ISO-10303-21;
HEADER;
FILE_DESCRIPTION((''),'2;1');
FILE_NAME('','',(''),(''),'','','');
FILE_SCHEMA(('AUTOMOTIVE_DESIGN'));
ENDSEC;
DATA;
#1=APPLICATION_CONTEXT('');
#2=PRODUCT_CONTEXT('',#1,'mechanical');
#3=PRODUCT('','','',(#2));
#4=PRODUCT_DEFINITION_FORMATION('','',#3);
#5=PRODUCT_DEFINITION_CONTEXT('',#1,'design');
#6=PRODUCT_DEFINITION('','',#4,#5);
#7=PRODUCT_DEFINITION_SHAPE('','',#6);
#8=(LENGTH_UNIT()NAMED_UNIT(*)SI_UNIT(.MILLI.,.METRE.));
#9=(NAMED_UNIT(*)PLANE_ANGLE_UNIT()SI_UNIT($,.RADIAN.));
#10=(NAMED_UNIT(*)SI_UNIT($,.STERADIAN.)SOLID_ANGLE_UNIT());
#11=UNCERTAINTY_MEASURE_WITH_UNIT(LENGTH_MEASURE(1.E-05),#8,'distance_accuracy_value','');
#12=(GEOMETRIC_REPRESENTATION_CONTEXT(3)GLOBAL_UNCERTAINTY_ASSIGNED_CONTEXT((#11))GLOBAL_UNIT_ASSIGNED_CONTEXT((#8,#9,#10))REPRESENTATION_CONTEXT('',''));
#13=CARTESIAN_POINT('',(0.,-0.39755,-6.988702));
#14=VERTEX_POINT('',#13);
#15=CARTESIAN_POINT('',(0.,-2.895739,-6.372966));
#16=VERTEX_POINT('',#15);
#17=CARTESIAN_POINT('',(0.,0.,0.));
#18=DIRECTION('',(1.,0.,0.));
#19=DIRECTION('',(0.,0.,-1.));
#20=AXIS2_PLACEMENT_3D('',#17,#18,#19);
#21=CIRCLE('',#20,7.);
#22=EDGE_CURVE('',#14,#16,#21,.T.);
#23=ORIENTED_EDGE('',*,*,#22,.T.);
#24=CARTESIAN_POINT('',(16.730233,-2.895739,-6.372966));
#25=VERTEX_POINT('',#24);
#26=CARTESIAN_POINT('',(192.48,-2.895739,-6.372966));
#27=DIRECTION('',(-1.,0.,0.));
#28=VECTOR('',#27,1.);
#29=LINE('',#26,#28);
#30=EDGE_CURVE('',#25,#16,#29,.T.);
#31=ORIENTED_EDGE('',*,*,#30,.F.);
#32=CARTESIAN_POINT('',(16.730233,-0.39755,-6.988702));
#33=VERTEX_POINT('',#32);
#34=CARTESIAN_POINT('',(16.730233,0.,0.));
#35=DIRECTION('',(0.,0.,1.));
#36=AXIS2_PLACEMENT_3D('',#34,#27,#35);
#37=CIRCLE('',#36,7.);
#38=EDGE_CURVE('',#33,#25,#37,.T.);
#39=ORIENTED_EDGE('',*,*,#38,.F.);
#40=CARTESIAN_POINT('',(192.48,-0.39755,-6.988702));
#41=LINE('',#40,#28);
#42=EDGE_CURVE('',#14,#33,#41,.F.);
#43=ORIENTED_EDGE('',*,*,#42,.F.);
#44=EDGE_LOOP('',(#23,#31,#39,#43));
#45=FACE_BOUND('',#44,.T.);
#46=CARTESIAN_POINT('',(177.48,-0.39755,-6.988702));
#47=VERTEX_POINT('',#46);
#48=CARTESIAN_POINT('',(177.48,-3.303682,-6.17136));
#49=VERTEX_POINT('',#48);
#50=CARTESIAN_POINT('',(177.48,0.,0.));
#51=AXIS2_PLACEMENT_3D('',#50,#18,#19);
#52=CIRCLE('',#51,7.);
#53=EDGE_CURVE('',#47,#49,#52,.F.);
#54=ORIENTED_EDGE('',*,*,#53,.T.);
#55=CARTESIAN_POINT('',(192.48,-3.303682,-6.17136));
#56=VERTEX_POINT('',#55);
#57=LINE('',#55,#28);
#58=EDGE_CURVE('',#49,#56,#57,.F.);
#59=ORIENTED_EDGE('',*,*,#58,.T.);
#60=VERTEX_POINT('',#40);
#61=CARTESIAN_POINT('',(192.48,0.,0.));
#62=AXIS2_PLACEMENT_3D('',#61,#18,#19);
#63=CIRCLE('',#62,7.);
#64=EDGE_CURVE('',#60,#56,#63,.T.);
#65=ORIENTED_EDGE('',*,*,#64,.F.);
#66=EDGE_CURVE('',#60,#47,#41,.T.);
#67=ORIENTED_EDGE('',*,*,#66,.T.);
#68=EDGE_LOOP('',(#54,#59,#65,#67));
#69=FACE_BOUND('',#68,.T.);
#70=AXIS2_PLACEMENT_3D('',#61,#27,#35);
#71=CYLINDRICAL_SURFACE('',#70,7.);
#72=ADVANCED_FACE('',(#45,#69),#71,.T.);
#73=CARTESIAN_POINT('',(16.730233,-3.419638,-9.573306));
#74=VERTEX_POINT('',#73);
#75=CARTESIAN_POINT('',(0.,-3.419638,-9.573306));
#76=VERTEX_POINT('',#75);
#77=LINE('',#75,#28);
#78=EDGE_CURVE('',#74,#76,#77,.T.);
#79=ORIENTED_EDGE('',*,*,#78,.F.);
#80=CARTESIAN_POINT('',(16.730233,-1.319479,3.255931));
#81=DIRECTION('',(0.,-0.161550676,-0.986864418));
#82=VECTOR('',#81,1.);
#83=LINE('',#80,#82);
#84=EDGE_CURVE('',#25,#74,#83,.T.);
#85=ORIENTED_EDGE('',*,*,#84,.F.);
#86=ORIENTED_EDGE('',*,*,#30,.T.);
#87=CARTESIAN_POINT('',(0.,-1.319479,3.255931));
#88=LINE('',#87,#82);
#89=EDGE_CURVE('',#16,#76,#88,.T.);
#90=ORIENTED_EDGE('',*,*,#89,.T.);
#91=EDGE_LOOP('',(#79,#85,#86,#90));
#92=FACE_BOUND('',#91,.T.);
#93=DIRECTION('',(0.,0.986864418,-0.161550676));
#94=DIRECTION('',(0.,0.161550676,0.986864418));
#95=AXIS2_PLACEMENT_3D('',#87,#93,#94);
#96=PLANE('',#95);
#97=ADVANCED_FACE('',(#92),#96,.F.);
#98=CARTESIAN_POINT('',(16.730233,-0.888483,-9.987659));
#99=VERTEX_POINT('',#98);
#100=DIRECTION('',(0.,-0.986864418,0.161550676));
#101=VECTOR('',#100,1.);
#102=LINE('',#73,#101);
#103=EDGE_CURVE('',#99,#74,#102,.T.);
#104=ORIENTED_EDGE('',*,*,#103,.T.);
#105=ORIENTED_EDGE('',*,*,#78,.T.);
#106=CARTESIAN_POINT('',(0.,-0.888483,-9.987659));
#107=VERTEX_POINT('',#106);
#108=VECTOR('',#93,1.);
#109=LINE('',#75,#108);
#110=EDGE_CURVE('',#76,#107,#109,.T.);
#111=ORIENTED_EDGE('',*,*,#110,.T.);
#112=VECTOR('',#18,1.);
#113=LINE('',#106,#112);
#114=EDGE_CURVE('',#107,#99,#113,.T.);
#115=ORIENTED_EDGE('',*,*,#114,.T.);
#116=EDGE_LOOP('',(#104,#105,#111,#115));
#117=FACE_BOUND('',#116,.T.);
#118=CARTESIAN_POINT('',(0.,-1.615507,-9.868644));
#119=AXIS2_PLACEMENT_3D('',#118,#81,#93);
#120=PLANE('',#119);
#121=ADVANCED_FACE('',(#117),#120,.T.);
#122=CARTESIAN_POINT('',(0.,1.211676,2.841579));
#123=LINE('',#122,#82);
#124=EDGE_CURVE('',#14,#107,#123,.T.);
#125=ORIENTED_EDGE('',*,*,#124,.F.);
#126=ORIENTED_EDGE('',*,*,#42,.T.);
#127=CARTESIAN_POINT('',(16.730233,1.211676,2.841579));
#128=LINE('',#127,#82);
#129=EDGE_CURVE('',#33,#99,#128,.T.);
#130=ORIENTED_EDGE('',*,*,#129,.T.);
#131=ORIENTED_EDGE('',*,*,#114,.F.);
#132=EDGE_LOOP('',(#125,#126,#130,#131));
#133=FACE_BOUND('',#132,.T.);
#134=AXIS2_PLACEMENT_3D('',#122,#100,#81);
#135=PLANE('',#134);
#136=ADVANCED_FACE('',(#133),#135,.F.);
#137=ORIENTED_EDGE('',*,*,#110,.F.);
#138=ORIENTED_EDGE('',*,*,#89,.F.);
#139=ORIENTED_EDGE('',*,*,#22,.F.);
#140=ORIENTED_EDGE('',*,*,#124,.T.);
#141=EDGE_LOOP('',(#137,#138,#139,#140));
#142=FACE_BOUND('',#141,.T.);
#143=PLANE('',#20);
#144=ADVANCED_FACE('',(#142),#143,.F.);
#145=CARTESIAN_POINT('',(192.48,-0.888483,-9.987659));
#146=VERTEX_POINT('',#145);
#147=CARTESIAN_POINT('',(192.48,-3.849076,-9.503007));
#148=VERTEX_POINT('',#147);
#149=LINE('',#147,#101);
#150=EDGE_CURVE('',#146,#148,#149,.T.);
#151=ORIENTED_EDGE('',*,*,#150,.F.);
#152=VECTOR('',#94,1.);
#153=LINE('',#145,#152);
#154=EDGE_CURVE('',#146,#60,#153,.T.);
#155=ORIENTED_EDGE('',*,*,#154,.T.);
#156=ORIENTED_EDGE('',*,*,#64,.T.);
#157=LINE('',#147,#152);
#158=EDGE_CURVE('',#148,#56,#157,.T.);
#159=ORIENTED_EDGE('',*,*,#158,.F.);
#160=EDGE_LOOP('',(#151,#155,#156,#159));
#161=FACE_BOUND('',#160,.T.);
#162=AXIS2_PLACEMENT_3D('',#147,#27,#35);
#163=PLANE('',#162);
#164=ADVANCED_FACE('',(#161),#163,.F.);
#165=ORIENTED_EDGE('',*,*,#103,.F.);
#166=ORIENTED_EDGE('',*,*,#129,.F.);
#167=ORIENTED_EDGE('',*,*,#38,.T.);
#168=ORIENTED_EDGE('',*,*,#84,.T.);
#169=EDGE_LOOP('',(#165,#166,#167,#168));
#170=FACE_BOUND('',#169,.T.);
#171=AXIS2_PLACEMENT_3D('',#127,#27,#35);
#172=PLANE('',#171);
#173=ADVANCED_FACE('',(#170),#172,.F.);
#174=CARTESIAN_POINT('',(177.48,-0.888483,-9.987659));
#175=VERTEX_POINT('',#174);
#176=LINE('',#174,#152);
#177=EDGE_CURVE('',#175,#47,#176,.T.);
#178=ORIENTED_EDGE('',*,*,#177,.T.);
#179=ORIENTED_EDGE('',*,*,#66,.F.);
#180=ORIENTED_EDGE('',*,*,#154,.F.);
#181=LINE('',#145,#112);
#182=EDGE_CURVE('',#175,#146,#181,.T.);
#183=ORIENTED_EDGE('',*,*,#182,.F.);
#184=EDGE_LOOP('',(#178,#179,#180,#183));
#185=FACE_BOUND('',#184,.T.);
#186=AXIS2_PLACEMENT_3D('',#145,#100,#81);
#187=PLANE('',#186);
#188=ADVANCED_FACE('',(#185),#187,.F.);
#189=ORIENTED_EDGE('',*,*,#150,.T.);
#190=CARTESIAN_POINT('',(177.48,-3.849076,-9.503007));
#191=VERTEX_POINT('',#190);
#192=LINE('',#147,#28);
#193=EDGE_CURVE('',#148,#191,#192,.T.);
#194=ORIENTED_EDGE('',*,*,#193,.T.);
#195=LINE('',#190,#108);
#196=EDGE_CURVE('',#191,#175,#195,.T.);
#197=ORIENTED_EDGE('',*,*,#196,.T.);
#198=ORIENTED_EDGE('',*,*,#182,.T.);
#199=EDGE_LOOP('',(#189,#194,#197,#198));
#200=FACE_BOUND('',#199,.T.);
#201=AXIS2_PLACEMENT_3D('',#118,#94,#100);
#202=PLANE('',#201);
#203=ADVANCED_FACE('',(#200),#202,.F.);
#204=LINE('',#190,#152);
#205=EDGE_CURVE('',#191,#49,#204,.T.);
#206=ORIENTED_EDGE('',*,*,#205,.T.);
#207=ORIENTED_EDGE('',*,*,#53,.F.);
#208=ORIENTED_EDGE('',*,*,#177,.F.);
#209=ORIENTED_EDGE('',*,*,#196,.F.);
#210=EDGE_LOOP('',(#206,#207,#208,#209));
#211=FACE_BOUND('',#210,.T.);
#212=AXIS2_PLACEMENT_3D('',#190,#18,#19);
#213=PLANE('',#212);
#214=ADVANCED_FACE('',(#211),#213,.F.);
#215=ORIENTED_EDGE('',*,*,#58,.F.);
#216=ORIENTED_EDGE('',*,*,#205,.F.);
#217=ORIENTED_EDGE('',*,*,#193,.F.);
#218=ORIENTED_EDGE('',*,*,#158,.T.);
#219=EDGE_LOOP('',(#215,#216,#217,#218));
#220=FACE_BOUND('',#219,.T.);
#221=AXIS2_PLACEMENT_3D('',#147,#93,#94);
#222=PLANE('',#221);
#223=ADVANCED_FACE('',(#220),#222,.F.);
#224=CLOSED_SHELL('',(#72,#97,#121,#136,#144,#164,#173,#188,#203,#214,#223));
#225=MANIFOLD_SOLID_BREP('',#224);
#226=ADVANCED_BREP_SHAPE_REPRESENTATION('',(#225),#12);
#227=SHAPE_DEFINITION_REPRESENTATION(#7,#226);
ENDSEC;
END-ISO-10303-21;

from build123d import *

# Parameters (mm, degrees)
SKETCH1_R             = 7
BOSS_EXTRUDE1_DEPTH   = 192.48
SKETCH2_W             = 15
SKETCH2_H             = 3
BOSS_EXTRUDE2_DEPTH   = 3
SKETCH2_W_2           = 16.730233444
SKETCH2_H_2           = 2.564845708
BOSS_EXTRUDE2_2_DEPTH = 3
SKETCH3_W             = 16.730233444
SKETCH3_H             = 2.564845708
BOSS_EXTRUDE3_DEPTH   = 10
SKETCH4_W             = 15
SKETCH4_H             = 3
BOSS_EXTRUDE4_DEPTH   = 10


with BuildPart() as part:
    # Sketch1 → Boss-Extrude1 (new body)
    with BuildSketch(Plane(origin=(0, 0, 0), x_dir=(0, 0, -1), z_dir=(1, 0, 0))):
        Circle(SKETCH1_R)
    extrude(amount=BOSS_EXTRUDE1_DEPTH)



with BuildPart() as body_2:
    # Sketch2 → Boss-Extrude2 (new body)
    with BuildSketch(Plane(origin=(0, -1.130854734, -6.908050924), x_dir=(1, 0, 0), z_dir=(0, -0.161550676, -0.986864418))):
        with Locations((184.98, 0.763298878)):
            Rectangle(SKETCH2_W, SKETCH2_H)
    extrude(amount=BOSS_EXTRUDE2_DEPTH)


with BuildPart() as body_3:
    # Sketch2 → Boss-Extrude2 2 (new body)
    with BuildSketch(Plane(origin=(0, -1.130854734, -6.908050924), x_dir=(1, 0, 0), z_dir=(0, -0.161550676, -0.986864418))):
        with Locations((8.365116722, 0.545721732)):
            Rectangle(SKETCH2_W_2, SKETCH2_H_2)
    extrude(amount=BOSS_EXTRUDE2_2_DEPTH)


with BuildPart() as part_1:
    add(part.part)

    add(body_3.part)  # Boss-Extrude3 merges body 3
    # Sketch3 → Boss-Extrude3 (add)
    with BuildSketch(Plane(origin=(0, -1.130854734, -6.908050924), x_dir=(1, 0, 0), z_dir=(0, 0.161550676, 0.986864418))):
        with Locations((8.365116722, -0.545721732)):
            Rectangle(SKETCH3_W, SKETCH3_H)
    extrude(amount=BOSS_EXTRUDE3_DEPTH)


    add(body_2.part)  # Boss-Extrude4 merges body 2
    # Sketch4 → Boss-Extrude4 (add)
    with BuildSketch(Plane(origin=(0, -1.130854734, -6.908050924), x_dir=(1, 0, 0), z_dir=(0, 0.161550676, 0.986864418))):
        with Locations((184.98, -0.763298878)):
            Rectangle(SKETCH4_W, SKETCH4_H)
    extrude(amount=BOSS_EXTRUDE4_DEPTH)


solid = part_1.part
